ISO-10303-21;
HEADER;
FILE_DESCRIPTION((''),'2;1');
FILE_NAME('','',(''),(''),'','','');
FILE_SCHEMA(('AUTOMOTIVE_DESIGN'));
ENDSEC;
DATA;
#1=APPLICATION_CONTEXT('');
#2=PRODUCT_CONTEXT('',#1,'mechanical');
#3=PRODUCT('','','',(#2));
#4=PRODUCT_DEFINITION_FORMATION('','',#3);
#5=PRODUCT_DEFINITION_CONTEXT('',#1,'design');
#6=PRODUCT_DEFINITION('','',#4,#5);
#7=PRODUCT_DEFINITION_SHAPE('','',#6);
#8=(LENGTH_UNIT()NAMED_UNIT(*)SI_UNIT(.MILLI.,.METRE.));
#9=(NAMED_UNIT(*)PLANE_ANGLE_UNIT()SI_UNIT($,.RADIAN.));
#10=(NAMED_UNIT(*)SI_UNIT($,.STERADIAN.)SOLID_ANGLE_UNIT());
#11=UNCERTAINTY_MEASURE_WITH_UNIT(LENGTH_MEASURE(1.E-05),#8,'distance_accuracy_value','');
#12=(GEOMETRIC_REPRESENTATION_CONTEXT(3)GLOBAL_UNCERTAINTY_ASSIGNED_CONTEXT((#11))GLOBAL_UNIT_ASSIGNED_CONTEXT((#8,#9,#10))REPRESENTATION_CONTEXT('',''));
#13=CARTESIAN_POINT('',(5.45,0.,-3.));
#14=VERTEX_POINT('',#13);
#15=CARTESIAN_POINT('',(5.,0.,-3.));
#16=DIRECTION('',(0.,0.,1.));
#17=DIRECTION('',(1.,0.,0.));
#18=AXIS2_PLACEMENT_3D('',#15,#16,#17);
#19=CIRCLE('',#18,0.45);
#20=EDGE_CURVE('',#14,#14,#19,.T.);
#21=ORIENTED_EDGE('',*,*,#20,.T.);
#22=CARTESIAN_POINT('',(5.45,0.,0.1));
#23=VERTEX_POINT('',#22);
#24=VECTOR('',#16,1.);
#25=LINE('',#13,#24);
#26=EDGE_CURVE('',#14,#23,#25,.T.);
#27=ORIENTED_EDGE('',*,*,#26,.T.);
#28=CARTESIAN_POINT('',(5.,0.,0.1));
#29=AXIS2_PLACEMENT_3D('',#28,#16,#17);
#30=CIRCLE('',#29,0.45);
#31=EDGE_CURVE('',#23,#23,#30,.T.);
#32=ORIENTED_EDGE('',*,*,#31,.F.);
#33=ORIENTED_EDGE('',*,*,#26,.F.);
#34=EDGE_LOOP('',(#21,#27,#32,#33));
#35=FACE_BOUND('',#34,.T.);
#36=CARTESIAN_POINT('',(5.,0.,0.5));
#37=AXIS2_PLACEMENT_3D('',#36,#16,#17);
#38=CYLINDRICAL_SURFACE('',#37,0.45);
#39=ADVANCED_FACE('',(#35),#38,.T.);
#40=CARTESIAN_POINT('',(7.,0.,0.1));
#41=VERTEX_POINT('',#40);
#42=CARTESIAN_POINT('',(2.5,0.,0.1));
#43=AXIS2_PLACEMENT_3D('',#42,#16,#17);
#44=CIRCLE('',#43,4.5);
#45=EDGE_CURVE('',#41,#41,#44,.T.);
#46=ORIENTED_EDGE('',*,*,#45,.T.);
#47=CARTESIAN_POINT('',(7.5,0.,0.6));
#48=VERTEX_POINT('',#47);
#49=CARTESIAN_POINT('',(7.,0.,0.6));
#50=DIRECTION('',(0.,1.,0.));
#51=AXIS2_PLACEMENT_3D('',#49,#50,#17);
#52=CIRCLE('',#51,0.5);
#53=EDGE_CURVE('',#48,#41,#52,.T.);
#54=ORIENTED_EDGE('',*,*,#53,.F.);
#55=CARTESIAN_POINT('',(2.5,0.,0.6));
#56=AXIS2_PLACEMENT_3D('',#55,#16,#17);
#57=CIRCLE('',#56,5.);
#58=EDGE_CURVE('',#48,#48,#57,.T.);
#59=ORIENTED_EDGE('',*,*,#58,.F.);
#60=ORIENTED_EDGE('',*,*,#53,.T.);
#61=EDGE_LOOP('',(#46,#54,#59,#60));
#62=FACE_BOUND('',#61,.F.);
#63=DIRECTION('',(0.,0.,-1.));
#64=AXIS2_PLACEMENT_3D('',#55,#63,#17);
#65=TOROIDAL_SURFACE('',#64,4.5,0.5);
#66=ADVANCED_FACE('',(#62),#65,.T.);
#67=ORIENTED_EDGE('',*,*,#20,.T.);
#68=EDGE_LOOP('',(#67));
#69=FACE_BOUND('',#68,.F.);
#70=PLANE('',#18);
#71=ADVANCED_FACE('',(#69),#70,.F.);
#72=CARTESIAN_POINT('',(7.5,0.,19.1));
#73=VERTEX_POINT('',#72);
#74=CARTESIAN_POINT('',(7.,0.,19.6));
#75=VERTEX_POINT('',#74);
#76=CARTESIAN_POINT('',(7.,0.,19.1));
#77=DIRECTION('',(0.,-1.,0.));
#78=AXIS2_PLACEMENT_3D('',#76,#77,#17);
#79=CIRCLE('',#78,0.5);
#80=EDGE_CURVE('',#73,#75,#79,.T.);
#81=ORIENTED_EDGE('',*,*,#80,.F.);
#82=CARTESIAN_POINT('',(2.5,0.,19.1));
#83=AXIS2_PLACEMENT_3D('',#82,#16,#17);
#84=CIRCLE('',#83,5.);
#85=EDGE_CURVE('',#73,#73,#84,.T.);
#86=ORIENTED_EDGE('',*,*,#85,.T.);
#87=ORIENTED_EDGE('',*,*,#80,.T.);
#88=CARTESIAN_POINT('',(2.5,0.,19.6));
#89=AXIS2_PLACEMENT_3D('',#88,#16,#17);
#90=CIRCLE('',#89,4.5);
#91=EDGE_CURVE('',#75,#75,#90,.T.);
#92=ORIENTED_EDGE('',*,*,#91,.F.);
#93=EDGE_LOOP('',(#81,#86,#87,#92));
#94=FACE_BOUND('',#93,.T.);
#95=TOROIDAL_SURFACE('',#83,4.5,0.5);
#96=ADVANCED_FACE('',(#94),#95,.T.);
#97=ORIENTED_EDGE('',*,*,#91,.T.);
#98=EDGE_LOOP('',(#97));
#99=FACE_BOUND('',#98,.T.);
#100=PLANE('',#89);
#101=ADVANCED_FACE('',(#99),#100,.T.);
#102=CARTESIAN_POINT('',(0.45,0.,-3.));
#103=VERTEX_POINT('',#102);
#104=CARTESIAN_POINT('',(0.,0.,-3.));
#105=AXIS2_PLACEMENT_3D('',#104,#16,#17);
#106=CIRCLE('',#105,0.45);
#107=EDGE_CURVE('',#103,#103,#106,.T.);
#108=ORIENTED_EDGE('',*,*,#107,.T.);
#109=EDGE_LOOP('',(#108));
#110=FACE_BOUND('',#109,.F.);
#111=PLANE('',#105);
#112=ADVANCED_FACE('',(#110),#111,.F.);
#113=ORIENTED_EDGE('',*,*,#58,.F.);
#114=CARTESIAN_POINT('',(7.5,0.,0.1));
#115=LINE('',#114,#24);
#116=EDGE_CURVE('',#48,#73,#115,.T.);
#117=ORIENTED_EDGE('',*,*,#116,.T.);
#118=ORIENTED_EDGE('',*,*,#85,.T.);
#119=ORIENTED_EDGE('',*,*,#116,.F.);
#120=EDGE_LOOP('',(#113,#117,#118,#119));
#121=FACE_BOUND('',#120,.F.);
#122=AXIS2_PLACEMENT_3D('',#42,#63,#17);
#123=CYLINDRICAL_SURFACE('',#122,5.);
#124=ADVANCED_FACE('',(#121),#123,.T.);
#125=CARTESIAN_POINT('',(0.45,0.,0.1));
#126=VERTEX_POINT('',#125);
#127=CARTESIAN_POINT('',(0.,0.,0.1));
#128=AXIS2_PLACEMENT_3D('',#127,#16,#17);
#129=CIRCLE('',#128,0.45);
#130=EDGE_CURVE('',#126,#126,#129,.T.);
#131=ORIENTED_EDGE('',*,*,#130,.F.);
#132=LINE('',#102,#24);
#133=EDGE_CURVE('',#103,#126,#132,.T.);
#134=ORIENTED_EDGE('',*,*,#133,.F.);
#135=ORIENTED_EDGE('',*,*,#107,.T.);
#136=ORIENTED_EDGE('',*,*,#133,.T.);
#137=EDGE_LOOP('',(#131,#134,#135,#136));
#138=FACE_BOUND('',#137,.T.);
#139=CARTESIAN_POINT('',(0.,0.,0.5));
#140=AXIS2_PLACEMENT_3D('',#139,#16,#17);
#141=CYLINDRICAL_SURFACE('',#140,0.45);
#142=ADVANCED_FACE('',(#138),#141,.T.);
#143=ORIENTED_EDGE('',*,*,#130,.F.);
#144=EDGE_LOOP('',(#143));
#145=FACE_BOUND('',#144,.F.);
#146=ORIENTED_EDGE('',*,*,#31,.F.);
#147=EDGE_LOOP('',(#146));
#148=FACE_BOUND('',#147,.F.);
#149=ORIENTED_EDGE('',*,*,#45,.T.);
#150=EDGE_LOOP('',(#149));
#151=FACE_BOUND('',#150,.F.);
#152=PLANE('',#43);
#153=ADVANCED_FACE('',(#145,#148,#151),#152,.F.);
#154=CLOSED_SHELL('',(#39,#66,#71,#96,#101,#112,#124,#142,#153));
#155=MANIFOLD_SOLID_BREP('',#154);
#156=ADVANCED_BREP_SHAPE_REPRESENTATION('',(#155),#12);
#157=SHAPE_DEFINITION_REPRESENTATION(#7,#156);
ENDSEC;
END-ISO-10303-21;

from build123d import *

# Parameters (mm, degrees)
SKETCH001_R       = 0.45
PAD001_DEPTH      = 9.75
PAD001_DEPTH_BACK = 3.5
SKETCH_R          = 5
PAD_DEPTH         = 19.5
FILLET_R          = 0.5


with BuildPart() as pad001:
    # Sketch001 → Pad001 (new body, two sides)
    with BuildSketch(Plane.XY.offset(0.5)) as pad001_sk:
        Circle(SKETCH001_R)
        with Locations((5, 0)):
            Circle(SKETCH001_R)
    extrude(amount=PAD001_DEPTH)
    extrude(pad001_sk.sketch, amount=-PAD001_DEPTH_BACK)


with BuildPart() as fillet_mp_cp:
    # Sketch → Pad (new body)
    with BuildSketch(Plane.XY.offset(0.1)):
        with Locations((2.5, 0)):
            Circle(SKETCH_R)
    extrude(amount=PAD_DEPTH)

    # Fillet
    fillet_edges = [fillet_mp_cp.edges().sort_by_distance(p)[0] for p in [
        (-2.5, 0, 0.1),
        (-2.5, 0, 19.6),
    ]]
    fillet(fillet_edges, radius=FILLET_R)

    # Fillet_mp_cp: union Pad001
    add(pad001.part)


solid = fillet_mp_cp.part
